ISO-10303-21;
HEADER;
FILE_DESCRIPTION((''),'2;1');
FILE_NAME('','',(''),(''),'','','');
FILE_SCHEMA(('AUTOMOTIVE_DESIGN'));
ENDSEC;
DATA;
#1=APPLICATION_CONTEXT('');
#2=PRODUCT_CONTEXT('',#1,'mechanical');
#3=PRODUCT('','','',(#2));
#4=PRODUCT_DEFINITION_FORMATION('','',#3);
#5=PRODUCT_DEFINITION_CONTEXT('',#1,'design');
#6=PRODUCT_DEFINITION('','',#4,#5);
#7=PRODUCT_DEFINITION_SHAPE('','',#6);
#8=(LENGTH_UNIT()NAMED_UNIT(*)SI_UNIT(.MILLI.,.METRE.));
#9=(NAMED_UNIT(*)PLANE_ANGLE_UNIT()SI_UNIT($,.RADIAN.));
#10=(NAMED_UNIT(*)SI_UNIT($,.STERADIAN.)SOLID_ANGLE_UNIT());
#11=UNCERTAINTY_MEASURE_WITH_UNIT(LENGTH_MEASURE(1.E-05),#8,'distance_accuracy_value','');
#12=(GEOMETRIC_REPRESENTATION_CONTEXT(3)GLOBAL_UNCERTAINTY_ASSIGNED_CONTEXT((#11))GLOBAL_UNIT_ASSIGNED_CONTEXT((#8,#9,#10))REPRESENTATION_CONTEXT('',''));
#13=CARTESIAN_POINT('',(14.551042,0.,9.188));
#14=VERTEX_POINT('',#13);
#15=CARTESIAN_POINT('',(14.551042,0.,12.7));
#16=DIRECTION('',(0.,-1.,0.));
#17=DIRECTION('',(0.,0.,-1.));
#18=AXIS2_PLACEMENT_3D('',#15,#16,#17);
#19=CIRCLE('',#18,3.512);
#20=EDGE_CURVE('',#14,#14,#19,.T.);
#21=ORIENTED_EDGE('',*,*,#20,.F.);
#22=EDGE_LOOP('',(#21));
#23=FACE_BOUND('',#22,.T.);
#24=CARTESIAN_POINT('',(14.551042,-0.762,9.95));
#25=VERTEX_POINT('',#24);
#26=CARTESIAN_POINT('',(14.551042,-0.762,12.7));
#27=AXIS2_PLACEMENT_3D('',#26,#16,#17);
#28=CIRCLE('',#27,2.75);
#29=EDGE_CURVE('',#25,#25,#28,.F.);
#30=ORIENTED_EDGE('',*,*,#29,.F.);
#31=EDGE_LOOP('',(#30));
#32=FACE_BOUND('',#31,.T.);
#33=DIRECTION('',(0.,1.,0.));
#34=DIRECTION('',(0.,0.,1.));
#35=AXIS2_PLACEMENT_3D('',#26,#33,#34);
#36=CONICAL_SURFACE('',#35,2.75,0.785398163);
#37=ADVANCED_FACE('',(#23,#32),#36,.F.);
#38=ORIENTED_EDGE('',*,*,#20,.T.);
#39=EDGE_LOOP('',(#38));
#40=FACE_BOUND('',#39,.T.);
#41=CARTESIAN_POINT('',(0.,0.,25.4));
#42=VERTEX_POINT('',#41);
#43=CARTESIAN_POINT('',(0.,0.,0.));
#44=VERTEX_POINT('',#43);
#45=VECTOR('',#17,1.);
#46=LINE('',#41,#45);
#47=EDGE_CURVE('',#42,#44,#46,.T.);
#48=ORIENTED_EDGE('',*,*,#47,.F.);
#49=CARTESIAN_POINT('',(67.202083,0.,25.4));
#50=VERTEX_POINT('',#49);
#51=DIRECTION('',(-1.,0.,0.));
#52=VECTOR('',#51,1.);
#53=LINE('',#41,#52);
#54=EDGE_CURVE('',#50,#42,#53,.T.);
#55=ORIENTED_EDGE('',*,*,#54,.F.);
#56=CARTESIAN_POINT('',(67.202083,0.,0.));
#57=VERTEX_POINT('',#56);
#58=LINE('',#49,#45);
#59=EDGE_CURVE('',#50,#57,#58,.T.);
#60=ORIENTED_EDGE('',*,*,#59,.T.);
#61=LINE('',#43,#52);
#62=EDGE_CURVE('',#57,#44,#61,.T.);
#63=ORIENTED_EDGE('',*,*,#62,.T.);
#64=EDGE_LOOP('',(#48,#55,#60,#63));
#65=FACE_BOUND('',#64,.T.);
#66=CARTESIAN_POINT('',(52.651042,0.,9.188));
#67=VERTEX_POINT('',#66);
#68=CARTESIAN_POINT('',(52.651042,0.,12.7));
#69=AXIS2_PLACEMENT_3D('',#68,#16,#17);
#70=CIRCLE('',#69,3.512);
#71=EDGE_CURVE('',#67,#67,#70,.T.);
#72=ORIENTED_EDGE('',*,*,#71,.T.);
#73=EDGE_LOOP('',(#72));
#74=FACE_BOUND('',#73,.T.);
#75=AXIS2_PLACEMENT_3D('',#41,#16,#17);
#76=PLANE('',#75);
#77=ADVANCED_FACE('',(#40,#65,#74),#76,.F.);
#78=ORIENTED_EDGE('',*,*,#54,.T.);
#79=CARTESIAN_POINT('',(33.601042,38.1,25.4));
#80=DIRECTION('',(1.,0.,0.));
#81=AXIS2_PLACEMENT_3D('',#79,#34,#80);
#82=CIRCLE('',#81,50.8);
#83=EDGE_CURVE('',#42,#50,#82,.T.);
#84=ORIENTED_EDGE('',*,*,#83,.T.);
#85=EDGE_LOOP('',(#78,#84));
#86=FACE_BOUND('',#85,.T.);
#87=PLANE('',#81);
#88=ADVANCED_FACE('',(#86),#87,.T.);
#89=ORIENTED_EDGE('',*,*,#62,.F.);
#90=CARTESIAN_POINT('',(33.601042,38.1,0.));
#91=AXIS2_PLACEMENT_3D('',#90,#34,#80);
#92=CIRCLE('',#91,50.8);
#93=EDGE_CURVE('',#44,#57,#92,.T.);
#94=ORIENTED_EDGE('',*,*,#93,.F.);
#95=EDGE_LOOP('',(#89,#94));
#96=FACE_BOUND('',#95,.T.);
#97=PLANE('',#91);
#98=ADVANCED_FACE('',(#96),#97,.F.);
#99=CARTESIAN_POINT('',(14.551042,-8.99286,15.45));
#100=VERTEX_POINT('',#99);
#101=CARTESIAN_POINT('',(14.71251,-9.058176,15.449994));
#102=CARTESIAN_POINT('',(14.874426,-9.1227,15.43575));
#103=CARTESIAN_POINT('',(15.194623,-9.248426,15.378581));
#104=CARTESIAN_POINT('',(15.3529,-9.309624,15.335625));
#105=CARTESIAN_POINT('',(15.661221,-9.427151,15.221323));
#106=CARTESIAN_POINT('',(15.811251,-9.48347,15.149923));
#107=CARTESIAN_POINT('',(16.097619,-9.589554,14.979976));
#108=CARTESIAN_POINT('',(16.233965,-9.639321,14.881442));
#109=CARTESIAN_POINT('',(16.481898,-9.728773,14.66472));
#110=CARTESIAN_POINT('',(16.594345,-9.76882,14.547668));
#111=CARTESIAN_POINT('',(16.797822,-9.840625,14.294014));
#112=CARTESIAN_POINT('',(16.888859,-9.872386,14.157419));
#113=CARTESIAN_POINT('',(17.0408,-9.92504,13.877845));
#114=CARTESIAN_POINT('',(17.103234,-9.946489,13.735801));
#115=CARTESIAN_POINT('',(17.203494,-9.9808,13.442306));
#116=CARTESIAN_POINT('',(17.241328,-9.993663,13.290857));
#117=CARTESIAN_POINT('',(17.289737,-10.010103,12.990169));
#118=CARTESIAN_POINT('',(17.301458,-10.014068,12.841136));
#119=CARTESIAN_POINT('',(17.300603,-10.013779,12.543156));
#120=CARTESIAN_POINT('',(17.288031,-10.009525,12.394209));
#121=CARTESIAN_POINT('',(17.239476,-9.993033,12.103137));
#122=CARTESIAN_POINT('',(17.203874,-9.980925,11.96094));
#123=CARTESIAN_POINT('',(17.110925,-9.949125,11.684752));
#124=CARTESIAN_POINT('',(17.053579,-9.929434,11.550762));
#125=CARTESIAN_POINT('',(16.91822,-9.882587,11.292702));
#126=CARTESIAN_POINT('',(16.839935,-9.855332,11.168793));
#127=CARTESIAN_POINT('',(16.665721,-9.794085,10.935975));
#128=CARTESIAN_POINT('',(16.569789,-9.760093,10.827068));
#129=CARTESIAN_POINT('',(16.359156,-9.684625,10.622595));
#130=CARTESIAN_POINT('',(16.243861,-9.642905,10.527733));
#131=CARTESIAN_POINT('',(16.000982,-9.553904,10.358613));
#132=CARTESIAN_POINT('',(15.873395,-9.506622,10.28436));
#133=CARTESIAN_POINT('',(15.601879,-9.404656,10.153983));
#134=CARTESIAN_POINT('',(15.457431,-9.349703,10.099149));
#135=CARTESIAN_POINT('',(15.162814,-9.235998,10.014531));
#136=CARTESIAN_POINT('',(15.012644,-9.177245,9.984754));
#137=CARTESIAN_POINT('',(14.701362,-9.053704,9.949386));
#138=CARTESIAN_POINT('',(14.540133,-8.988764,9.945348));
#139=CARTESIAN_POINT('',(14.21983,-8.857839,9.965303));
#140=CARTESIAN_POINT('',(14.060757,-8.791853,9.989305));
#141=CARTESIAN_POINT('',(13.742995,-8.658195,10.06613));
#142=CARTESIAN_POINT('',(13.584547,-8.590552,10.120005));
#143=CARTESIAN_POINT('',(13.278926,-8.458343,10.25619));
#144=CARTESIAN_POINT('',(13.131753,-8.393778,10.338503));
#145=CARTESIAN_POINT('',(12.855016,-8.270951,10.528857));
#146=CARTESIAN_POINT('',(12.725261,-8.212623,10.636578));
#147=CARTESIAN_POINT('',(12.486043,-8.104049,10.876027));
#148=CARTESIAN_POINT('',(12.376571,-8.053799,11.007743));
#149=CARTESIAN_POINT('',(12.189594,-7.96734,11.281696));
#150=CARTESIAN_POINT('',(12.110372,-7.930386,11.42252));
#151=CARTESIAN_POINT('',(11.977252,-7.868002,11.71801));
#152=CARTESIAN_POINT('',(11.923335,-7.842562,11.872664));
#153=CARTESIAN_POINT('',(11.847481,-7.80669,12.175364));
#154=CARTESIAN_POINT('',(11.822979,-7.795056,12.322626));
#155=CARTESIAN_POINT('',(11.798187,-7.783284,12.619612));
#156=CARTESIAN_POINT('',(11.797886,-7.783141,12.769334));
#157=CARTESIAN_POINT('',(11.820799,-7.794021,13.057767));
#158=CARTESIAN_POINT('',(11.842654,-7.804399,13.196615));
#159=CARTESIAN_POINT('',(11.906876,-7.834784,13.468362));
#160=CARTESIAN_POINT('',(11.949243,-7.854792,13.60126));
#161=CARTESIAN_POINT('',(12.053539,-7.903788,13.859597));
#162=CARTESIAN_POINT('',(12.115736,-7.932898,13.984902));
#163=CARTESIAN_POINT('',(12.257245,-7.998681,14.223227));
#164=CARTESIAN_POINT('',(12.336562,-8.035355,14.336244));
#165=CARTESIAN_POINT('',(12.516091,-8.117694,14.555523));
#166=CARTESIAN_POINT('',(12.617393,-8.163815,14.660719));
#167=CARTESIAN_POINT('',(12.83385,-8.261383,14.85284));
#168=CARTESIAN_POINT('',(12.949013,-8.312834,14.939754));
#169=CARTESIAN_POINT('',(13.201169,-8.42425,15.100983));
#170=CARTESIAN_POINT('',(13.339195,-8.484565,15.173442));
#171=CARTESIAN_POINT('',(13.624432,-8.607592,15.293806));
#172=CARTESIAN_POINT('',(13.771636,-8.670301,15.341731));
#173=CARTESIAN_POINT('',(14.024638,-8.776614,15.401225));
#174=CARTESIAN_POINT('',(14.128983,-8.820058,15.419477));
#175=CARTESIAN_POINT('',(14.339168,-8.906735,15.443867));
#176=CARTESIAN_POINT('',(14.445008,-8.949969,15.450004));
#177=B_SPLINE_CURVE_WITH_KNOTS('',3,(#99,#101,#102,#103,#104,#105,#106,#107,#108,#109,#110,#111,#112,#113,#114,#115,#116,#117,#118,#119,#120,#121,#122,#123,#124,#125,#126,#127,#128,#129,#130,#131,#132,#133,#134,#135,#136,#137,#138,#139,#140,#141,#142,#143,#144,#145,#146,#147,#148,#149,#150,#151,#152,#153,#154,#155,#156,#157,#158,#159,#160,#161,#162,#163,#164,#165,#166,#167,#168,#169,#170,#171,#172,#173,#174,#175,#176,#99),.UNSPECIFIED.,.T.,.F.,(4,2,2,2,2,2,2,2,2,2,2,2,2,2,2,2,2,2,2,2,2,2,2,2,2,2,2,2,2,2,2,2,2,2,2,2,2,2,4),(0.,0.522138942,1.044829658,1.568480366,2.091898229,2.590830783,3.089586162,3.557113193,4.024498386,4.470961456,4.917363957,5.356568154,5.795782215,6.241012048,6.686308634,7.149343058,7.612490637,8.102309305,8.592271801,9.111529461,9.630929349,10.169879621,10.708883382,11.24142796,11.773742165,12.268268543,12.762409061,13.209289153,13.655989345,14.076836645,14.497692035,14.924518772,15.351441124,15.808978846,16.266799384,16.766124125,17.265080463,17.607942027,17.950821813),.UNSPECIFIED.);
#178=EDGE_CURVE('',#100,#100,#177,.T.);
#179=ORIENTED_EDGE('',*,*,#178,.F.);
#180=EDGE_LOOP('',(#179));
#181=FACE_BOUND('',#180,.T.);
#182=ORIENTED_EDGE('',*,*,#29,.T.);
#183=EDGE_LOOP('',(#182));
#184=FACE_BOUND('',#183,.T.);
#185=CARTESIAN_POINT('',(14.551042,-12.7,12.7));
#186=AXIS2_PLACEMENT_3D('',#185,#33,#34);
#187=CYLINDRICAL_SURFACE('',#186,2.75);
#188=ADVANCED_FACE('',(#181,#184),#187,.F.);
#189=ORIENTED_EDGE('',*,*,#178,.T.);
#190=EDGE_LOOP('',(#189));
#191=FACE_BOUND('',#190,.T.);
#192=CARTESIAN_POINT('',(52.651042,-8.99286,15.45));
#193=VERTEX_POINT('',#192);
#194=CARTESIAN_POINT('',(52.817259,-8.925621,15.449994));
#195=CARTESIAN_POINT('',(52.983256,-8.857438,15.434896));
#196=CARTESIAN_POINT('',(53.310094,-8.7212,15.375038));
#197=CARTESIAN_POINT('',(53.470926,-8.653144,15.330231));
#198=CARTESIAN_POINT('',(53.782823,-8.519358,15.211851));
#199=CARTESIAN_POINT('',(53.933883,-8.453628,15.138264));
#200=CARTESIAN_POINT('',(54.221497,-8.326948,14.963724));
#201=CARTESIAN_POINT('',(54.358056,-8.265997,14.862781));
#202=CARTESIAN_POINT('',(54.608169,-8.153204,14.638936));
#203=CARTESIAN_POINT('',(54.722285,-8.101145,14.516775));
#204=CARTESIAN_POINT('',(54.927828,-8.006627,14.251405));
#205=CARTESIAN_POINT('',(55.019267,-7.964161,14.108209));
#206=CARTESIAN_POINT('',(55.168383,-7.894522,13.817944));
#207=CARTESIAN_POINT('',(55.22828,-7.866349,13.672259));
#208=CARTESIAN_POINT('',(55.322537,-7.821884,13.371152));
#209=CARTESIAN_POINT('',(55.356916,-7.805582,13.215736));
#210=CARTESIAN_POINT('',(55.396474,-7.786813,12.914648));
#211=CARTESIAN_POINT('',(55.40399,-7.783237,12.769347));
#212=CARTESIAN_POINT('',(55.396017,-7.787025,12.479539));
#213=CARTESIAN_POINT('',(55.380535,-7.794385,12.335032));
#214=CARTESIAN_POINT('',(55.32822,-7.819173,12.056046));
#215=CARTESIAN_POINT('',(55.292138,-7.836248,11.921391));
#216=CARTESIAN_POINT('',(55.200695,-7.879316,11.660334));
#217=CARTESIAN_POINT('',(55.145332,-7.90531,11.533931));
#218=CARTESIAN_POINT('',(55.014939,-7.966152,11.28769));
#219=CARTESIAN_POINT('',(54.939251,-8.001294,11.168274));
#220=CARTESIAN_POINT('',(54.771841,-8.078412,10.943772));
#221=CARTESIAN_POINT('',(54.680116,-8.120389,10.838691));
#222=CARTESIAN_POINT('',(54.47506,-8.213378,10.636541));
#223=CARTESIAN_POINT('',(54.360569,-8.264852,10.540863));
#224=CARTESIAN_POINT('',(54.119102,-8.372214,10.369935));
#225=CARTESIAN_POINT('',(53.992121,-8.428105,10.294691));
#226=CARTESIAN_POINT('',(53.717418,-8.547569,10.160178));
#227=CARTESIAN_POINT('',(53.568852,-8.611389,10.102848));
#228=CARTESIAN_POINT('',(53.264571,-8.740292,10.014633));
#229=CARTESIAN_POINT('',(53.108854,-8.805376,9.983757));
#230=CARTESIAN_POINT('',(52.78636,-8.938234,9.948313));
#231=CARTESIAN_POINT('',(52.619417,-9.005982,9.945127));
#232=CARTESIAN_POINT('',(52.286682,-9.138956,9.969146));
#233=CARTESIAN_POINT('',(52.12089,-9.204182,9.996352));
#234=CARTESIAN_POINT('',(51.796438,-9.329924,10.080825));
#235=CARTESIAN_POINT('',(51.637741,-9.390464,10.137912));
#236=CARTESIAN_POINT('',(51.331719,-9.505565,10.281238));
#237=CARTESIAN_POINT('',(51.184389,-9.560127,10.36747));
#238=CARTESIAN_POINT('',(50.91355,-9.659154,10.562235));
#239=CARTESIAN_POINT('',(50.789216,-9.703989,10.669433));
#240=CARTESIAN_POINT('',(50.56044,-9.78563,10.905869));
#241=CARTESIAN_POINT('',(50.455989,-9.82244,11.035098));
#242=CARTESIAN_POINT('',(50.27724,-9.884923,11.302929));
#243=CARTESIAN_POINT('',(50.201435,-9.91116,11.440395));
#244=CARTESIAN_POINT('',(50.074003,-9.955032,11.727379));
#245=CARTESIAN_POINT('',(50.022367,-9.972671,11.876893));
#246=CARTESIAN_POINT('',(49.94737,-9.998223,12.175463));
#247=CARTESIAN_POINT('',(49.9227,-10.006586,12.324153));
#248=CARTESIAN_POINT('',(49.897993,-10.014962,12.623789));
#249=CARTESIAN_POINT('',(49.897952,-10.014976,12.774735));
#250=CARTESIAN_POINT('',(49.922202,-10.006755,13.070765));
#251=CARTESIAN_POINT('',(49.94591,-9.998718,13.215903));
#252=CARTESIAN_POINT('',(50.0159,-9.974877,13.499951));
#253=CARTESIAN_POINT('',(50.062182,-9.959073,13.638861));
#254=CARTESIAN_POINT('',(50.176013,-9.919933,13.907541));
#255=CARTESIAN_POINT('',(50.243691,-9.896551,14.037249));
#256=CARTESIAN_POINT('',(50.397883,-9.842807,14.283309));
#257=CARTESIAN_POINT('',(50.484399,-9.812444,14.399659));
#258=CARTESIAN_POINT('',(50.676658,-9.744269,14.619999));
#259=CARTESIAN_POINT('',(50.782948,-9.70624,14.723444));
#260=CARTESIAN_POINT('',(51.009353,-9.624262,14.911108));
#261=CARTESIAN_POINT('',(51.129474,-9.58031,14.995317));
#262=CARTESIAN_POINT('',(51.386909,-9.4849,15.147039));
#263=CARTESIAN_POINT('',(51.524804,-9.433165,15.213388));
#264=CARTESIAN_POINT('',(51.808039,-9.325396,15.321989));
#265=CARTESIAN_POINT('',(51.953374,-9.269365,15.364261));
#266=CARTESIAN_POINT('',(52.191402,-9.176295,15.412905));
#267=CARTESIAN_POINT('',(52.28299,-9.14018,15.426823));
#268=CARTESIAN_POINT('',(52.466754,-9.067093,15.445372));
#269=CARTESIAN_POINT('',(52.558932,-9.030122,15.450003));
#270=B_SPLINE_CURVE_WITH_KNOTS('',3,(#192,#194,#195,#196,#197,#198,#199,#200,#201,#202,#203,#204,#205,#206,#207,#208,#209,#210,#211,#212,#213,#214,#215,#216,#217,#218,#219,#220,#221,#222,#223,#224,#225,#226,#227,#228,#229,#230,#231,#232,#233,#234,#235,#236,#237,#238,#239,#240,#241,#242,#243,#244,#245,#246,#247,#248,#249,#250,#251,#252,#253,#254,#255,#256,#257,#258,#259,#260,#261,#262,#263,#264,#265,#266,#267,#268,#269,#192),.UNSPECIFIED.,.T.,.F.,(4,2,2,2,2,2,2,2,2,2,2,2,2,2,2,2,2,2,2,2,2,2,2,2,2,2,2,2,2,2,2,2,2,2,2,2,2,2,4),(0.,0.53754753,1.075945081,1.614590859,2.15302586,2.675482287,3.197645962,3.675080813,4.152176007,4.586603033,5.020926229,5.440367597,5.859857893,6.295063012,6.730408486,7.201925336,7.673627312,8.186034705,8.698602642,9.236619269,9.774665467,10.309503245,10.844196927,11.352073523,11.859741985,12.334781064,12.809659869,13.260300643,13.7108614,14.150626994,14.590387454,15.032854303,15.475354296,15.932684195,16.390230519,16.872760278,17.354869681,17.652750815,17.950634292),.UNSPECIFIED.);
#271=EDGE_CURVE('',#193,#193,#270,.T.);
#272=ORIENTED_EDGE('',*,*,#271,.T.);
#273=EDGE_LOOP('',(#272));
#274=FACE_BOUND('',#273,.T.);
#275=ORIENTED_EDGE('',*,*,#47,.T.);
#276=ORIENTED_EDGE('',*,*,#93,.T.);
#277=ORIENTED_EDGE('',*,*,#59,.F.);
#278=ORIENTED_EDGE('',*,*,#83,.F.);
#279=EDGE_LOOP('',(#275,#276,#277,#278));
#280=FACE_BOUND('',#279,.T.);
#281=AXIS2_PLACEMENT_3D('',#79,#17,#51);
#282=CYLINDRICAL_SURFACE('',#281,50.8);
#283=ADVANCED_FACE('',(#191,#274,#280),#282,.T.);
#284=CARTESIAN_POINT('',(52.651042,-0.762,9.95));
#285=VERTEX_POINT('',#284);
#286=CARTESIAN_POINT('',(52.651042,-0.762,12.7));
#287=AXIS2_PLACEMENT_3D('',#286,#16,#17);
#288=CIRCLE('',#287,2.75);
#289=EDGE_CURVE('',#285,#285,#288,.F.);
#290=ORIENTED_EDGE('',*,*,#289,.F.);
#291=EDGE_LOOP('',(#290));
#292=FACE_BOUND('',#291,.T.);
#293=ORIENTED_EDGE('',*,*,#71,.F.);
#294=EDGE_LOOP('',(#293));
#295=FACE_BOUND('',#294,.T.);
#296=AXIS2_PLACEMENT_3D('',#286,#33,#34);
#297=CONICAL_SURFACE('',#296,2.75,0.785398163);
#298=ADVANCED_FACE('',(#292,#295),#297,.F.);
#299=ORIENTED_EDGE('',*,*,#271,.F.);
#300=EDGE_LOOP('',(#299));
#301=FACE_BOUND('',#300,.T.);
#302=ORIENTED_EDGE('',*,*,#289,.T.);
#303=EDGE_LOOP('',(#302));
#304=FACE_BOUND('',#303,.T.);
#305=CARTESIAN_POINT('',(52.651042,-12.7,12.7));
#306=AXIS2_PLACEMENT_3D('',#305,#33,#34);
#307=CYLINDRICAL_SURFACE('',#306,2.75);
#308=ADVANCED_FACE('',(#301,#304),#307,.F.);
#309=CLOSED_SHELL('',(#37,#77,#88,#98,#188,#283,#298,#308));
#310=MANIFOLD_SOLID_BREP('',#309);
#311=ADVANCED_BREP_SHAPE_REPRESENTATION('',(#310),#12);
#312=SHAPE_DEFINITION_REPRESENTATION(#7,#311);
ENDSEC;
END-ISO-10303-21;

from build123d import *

# Parameters (mm, degrees)
BOSS_EXTRUDE1_DEPTH     = 25.4
CUT_EXTRUDE1_DEPTH      = 73.955945611
CUT_EXTRUDE1_DEPTH_BACK = 73.955945611
SKETCH2_R               = 2
SKETCH3_R               = 2.75
CUT_EXTRUDE2_DEPTH      = 73.955945755
CHAMFER1_SIZE           = 0.762


with BuildPart() as part:
    # Sketch1 → Boss-Extrude1 (new body)
    with BuildSketch(Plane.XY):
        with BuildLine():
            Line((0, 0), (67.202083301, 0))
            ThreePointArc((67.202083301, 0), (33.601041651, -12.7), (0, 0))
        make_face()
    extrude(amount=BOSS_EXTRUDE1_DEPTH)

    # Sketch2 → Cut-Extrude1 (cut, two sides: drawn at the far end of the back side and taken through both)
    with BuildSketch(Plane(origin=(0, 0, 0), x_dir=(1, 0, 0), z_dir=(0, 1, 0)).offset(-CUT_EXTRUDE1_DEPTH_BACK)):
        with Locations(Location((14.551041651, -12.7, 0), (0, 0, 270))):
            Circle(SKETCH2_R)
        with Locations(Location((52.651041651, -12.7, 0), (0, 0, 270))):
            Circle(SKETCH2_R)
    extrude(amount=CUT_EXTRUDE1_DEPTH + CUT_EXTRUDE1_DEPTH_BACK, mode=Mode.SUBTRACT)

    # Sketch3 → Cut-Extrude2 (cut, through all)
    with BuildSketch(Plane(origin=(0, 0, 0), x_dir=(1, 0, 0), z_dir=(0, 1, 0))):
        with Locations(Location((14.551041651, -12.7, 0), (0, 0, 270))):
            Circle(SKETCH3_R)
        with Locations(Location((52.651041651, -12.7, 0), (0, 0, 270))):
            Circle(SKETCH3_R)
    extrude(amount=-CUT_EXTRUDE2_DEPTH, mode=Mode.SUBTRACT)

    # Chamfer1
    chamfer1_edges = [part.edges().sort_by_distance(p)[0] for p in [
        (14.551041651, 0, 9.95),
        (52.651041651, 0, 9.95),
    ]]
    chamfer(chamfer1_edges, length=CHAMFER1_SIZE)


solid = part.part
